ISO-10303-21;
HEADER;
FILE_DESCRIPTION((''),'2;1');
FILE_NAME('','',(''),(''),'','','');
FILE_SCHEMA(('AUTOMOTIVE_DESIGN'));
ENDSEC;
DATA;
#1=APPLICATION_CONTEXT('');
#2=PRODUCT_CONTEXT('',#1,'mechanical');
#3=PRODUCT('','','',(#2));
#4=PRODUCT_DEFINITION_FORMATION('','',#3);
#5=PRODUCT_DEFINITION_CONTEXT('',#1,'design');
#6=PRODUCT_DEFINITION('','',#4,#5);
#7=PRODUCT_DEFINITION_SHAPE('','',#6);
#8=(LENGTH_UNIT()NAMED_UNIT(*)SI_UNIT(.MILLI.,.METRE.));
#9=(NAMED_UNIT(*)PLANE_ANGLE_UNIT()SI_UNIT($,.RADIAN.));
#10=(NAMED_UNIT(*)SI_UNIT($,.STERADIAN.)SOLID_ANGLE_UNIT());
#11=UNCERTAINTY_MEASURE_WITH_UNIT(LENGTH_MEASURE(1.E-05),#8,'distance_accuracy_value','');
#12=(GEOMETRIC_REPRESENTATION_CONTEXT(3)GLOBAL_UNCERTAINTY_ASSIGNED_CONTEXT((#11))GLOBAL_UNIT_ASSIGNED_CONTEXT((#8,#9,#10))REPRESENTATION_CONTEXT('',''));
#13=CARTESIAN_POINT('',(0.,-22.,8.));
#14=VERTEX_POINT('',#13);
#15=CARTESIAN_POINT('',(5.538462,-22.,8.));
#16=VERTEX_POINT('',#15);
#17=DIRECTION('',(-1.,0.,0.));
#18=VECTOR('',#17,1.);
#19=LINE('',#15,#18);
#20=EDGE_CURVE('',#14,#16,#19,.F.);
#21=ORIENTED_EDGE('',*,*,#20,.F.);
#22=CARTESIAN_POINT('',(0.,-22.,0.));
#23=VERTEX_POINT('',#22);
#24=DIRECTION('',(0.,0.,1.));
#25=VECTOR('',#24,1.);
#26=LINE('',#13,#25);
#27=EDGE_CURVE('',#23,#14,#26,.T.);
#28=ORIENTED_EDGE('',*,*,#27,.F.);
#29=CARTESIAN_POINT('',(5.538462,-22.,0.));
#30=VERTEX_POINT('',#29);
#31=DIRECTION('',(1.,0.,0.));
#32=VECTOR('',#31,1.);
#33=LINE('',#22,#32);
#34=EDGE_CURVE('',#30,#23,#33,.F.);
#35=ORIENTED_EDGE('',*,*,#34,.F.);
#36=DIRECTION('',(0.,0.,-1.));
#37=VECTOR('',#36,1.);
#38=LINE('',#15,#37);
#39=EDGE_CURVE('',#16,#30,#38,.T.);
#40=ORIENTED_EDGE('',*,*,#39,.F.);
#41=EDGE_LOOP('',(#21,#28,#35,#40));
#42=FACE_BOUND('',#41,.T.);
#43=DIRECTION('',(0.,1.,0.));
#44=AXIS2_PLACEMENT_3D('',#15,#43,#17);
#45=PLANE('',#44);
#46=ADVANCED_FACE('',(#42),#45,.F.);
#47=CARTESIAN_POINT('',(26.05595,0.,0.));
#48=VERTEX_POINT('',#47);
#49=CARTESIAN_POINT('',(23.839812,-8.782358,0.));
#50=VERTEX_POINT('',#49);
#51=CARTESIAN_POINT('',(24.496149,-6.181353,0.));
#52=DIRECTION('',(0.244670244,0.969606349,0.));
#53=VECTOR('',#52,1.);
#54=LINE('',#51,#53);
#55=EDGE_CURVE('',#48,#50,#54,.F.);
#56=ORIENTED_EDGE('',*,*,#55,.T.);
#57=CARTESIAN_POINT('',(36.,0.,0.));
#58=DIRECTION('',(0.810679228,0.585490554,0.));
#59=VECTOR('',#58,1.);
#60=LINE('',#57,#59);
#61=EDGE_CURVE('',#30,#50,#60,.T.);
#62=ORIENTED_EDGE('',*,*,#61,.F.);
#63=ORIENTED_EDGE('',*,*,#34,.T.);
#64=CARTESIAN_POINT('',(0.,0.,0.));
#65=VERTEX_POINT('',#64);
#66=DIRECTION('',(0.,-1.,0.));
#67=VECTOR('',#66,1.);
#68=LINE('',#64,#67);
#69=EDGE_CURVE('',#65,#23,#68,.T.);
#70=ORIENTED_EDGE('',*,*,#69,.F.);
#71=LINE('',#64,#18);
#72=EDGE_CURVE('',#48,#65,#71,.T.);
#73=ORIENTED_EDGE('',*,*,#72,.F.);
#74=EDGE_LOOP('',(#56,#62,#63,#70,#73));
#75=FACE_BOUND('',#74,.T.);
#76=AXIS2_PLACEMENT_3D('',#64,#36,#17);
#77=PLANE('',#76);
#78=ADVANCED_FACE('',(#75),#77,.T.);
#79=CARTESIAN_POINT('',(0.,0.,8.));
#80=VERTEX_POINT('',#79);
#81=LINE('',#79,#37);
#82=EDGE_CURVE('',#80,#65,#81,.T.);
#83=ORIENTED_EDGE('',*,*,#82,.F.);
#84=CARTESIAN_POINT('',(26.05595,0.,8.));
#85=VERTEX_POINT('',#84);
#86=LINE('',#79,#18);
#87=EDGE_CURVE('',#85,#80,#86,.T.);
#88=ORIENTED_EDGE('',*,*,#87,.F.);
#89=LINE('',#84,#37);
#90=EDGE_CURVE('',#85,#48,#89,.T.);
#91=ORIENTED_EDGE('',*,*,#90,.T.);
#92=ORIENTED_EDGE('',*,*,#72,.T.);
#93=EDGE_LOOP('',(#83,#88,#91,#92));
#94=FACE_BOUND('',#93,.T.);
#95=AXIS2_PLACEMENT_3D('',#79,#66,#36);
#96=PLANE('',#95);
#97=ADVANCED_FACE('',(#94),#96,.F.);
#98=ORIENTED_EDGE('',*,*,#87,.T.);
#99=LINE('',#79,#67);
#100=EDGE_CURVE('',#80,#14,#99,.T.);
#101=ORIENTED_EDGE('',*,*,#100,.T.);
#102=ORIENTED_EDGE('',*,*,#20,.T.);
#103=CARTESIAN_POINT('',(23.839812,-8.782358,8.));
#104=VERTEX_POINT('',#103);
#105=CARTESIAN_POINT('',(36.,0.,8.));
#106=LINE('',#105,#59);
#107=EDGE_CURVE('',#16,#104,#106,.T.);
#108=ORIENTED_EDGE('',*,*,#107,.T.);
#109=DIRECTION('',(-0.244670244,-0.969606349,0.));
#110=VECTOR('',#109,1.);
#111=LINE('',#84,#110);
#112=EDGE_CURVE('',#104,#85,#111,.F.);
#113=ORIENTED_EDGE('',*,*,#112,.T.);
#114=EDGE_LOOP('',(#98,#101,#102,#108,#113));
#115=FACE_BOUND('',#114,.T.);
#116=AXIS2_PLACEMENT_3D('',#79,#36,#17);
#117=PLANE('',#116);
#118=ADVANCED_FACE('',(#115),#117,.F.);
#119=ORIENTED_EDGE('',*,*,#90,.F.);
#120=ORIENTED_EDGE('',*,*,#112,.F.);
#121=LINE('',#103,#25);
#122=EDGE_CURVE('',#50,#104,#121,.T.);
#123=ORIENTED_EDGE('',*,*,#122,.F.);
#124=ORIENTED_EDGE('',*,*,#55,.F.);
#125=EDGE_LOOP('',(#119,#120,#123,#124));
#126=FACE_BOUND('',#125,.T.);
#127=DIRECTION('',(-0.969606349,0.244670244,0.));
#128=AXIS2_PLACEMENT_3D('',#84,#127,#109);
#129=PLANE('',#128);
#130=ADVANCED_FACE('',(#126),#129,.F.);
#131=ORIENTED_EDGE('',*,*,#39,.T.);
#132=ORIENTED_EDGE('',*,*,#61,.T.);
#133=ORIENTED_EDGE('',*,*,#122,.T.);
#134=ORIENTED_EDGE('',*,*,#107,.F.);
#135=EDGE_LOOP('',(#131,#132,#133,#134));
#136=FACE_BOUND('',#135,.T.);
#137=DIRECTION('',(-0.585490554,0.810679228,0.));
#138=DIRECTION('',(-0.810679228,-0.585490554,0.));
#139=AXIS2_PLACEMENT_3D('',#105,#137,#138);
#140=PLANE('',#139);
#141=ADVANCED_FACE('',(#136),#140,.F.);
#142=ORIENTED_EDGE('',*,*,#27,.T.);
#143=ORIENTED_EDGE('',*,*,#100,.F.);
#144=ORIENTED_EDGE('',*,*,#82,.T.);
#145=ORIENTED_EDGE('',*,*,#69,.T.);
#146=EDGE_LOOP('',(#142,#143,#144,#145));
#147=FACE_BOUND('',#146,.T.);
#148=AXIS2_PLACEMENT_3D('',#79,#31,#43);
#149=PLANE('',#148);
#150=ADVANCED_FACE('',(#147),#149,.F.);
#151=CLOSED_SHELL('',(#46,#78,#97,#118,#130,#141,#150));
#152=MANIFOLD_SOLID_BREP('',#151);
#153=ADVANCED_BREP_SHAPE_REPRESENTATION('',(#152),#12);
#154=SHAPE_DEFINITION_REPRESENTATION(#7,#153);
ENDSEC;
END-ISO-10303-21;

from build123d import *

# Parameters (mm, degrees)
EXTRUDE_1_DEPTH = 8
CHAMFER_1_SIZE  = 4
CHAMFER_1_SIZE2 = 6.831877942
CHAMFER_2_SIZE  = 15
CHAMFER_2_SIZE2 = 9.944050138


with BuildPart() as part:
    # Эскиз1 → Вытянуть1 (new body)
    with BuildSketch(Plane.XY):
        Polygon((0, 0), (0, -26), (36, 0), align=None)
    extrude(amount=EXTRUDE_1_DEPTH)

    # Фаска1
    chamfer_1_edges = [part.edges().sort_by_distance(p)[0] for p in [
        (0, -26, 4),
    ]]
    chamfer_1_side = [part.faces().sort_by_distance(p)[0] for p in [
        (0, -13, 4),
    ]]
    chamfer(chamfer_1_edges, length=CHAMFER_1_SIZE, length2=CHAMFER_1_SIZE2, reference=chamfer_1_side[0])

    # Фаска2
    chamfer_2_edges = [part.edges().sort_by_distance(p)[0] for p in [
        (36, 0, 4),
    ]]
    chamfer_2_side = [part.faces().sort_by_distance(p)[0] for p in [
        (20.769230769, -11, 4),
    ]]
    chamfer(chamfer_2_edges, length=CHAMFER_2_SIZE, length2=CHAMFER_2_SIZE2, reference=chamfer_2_side[0])


solid = part.part
